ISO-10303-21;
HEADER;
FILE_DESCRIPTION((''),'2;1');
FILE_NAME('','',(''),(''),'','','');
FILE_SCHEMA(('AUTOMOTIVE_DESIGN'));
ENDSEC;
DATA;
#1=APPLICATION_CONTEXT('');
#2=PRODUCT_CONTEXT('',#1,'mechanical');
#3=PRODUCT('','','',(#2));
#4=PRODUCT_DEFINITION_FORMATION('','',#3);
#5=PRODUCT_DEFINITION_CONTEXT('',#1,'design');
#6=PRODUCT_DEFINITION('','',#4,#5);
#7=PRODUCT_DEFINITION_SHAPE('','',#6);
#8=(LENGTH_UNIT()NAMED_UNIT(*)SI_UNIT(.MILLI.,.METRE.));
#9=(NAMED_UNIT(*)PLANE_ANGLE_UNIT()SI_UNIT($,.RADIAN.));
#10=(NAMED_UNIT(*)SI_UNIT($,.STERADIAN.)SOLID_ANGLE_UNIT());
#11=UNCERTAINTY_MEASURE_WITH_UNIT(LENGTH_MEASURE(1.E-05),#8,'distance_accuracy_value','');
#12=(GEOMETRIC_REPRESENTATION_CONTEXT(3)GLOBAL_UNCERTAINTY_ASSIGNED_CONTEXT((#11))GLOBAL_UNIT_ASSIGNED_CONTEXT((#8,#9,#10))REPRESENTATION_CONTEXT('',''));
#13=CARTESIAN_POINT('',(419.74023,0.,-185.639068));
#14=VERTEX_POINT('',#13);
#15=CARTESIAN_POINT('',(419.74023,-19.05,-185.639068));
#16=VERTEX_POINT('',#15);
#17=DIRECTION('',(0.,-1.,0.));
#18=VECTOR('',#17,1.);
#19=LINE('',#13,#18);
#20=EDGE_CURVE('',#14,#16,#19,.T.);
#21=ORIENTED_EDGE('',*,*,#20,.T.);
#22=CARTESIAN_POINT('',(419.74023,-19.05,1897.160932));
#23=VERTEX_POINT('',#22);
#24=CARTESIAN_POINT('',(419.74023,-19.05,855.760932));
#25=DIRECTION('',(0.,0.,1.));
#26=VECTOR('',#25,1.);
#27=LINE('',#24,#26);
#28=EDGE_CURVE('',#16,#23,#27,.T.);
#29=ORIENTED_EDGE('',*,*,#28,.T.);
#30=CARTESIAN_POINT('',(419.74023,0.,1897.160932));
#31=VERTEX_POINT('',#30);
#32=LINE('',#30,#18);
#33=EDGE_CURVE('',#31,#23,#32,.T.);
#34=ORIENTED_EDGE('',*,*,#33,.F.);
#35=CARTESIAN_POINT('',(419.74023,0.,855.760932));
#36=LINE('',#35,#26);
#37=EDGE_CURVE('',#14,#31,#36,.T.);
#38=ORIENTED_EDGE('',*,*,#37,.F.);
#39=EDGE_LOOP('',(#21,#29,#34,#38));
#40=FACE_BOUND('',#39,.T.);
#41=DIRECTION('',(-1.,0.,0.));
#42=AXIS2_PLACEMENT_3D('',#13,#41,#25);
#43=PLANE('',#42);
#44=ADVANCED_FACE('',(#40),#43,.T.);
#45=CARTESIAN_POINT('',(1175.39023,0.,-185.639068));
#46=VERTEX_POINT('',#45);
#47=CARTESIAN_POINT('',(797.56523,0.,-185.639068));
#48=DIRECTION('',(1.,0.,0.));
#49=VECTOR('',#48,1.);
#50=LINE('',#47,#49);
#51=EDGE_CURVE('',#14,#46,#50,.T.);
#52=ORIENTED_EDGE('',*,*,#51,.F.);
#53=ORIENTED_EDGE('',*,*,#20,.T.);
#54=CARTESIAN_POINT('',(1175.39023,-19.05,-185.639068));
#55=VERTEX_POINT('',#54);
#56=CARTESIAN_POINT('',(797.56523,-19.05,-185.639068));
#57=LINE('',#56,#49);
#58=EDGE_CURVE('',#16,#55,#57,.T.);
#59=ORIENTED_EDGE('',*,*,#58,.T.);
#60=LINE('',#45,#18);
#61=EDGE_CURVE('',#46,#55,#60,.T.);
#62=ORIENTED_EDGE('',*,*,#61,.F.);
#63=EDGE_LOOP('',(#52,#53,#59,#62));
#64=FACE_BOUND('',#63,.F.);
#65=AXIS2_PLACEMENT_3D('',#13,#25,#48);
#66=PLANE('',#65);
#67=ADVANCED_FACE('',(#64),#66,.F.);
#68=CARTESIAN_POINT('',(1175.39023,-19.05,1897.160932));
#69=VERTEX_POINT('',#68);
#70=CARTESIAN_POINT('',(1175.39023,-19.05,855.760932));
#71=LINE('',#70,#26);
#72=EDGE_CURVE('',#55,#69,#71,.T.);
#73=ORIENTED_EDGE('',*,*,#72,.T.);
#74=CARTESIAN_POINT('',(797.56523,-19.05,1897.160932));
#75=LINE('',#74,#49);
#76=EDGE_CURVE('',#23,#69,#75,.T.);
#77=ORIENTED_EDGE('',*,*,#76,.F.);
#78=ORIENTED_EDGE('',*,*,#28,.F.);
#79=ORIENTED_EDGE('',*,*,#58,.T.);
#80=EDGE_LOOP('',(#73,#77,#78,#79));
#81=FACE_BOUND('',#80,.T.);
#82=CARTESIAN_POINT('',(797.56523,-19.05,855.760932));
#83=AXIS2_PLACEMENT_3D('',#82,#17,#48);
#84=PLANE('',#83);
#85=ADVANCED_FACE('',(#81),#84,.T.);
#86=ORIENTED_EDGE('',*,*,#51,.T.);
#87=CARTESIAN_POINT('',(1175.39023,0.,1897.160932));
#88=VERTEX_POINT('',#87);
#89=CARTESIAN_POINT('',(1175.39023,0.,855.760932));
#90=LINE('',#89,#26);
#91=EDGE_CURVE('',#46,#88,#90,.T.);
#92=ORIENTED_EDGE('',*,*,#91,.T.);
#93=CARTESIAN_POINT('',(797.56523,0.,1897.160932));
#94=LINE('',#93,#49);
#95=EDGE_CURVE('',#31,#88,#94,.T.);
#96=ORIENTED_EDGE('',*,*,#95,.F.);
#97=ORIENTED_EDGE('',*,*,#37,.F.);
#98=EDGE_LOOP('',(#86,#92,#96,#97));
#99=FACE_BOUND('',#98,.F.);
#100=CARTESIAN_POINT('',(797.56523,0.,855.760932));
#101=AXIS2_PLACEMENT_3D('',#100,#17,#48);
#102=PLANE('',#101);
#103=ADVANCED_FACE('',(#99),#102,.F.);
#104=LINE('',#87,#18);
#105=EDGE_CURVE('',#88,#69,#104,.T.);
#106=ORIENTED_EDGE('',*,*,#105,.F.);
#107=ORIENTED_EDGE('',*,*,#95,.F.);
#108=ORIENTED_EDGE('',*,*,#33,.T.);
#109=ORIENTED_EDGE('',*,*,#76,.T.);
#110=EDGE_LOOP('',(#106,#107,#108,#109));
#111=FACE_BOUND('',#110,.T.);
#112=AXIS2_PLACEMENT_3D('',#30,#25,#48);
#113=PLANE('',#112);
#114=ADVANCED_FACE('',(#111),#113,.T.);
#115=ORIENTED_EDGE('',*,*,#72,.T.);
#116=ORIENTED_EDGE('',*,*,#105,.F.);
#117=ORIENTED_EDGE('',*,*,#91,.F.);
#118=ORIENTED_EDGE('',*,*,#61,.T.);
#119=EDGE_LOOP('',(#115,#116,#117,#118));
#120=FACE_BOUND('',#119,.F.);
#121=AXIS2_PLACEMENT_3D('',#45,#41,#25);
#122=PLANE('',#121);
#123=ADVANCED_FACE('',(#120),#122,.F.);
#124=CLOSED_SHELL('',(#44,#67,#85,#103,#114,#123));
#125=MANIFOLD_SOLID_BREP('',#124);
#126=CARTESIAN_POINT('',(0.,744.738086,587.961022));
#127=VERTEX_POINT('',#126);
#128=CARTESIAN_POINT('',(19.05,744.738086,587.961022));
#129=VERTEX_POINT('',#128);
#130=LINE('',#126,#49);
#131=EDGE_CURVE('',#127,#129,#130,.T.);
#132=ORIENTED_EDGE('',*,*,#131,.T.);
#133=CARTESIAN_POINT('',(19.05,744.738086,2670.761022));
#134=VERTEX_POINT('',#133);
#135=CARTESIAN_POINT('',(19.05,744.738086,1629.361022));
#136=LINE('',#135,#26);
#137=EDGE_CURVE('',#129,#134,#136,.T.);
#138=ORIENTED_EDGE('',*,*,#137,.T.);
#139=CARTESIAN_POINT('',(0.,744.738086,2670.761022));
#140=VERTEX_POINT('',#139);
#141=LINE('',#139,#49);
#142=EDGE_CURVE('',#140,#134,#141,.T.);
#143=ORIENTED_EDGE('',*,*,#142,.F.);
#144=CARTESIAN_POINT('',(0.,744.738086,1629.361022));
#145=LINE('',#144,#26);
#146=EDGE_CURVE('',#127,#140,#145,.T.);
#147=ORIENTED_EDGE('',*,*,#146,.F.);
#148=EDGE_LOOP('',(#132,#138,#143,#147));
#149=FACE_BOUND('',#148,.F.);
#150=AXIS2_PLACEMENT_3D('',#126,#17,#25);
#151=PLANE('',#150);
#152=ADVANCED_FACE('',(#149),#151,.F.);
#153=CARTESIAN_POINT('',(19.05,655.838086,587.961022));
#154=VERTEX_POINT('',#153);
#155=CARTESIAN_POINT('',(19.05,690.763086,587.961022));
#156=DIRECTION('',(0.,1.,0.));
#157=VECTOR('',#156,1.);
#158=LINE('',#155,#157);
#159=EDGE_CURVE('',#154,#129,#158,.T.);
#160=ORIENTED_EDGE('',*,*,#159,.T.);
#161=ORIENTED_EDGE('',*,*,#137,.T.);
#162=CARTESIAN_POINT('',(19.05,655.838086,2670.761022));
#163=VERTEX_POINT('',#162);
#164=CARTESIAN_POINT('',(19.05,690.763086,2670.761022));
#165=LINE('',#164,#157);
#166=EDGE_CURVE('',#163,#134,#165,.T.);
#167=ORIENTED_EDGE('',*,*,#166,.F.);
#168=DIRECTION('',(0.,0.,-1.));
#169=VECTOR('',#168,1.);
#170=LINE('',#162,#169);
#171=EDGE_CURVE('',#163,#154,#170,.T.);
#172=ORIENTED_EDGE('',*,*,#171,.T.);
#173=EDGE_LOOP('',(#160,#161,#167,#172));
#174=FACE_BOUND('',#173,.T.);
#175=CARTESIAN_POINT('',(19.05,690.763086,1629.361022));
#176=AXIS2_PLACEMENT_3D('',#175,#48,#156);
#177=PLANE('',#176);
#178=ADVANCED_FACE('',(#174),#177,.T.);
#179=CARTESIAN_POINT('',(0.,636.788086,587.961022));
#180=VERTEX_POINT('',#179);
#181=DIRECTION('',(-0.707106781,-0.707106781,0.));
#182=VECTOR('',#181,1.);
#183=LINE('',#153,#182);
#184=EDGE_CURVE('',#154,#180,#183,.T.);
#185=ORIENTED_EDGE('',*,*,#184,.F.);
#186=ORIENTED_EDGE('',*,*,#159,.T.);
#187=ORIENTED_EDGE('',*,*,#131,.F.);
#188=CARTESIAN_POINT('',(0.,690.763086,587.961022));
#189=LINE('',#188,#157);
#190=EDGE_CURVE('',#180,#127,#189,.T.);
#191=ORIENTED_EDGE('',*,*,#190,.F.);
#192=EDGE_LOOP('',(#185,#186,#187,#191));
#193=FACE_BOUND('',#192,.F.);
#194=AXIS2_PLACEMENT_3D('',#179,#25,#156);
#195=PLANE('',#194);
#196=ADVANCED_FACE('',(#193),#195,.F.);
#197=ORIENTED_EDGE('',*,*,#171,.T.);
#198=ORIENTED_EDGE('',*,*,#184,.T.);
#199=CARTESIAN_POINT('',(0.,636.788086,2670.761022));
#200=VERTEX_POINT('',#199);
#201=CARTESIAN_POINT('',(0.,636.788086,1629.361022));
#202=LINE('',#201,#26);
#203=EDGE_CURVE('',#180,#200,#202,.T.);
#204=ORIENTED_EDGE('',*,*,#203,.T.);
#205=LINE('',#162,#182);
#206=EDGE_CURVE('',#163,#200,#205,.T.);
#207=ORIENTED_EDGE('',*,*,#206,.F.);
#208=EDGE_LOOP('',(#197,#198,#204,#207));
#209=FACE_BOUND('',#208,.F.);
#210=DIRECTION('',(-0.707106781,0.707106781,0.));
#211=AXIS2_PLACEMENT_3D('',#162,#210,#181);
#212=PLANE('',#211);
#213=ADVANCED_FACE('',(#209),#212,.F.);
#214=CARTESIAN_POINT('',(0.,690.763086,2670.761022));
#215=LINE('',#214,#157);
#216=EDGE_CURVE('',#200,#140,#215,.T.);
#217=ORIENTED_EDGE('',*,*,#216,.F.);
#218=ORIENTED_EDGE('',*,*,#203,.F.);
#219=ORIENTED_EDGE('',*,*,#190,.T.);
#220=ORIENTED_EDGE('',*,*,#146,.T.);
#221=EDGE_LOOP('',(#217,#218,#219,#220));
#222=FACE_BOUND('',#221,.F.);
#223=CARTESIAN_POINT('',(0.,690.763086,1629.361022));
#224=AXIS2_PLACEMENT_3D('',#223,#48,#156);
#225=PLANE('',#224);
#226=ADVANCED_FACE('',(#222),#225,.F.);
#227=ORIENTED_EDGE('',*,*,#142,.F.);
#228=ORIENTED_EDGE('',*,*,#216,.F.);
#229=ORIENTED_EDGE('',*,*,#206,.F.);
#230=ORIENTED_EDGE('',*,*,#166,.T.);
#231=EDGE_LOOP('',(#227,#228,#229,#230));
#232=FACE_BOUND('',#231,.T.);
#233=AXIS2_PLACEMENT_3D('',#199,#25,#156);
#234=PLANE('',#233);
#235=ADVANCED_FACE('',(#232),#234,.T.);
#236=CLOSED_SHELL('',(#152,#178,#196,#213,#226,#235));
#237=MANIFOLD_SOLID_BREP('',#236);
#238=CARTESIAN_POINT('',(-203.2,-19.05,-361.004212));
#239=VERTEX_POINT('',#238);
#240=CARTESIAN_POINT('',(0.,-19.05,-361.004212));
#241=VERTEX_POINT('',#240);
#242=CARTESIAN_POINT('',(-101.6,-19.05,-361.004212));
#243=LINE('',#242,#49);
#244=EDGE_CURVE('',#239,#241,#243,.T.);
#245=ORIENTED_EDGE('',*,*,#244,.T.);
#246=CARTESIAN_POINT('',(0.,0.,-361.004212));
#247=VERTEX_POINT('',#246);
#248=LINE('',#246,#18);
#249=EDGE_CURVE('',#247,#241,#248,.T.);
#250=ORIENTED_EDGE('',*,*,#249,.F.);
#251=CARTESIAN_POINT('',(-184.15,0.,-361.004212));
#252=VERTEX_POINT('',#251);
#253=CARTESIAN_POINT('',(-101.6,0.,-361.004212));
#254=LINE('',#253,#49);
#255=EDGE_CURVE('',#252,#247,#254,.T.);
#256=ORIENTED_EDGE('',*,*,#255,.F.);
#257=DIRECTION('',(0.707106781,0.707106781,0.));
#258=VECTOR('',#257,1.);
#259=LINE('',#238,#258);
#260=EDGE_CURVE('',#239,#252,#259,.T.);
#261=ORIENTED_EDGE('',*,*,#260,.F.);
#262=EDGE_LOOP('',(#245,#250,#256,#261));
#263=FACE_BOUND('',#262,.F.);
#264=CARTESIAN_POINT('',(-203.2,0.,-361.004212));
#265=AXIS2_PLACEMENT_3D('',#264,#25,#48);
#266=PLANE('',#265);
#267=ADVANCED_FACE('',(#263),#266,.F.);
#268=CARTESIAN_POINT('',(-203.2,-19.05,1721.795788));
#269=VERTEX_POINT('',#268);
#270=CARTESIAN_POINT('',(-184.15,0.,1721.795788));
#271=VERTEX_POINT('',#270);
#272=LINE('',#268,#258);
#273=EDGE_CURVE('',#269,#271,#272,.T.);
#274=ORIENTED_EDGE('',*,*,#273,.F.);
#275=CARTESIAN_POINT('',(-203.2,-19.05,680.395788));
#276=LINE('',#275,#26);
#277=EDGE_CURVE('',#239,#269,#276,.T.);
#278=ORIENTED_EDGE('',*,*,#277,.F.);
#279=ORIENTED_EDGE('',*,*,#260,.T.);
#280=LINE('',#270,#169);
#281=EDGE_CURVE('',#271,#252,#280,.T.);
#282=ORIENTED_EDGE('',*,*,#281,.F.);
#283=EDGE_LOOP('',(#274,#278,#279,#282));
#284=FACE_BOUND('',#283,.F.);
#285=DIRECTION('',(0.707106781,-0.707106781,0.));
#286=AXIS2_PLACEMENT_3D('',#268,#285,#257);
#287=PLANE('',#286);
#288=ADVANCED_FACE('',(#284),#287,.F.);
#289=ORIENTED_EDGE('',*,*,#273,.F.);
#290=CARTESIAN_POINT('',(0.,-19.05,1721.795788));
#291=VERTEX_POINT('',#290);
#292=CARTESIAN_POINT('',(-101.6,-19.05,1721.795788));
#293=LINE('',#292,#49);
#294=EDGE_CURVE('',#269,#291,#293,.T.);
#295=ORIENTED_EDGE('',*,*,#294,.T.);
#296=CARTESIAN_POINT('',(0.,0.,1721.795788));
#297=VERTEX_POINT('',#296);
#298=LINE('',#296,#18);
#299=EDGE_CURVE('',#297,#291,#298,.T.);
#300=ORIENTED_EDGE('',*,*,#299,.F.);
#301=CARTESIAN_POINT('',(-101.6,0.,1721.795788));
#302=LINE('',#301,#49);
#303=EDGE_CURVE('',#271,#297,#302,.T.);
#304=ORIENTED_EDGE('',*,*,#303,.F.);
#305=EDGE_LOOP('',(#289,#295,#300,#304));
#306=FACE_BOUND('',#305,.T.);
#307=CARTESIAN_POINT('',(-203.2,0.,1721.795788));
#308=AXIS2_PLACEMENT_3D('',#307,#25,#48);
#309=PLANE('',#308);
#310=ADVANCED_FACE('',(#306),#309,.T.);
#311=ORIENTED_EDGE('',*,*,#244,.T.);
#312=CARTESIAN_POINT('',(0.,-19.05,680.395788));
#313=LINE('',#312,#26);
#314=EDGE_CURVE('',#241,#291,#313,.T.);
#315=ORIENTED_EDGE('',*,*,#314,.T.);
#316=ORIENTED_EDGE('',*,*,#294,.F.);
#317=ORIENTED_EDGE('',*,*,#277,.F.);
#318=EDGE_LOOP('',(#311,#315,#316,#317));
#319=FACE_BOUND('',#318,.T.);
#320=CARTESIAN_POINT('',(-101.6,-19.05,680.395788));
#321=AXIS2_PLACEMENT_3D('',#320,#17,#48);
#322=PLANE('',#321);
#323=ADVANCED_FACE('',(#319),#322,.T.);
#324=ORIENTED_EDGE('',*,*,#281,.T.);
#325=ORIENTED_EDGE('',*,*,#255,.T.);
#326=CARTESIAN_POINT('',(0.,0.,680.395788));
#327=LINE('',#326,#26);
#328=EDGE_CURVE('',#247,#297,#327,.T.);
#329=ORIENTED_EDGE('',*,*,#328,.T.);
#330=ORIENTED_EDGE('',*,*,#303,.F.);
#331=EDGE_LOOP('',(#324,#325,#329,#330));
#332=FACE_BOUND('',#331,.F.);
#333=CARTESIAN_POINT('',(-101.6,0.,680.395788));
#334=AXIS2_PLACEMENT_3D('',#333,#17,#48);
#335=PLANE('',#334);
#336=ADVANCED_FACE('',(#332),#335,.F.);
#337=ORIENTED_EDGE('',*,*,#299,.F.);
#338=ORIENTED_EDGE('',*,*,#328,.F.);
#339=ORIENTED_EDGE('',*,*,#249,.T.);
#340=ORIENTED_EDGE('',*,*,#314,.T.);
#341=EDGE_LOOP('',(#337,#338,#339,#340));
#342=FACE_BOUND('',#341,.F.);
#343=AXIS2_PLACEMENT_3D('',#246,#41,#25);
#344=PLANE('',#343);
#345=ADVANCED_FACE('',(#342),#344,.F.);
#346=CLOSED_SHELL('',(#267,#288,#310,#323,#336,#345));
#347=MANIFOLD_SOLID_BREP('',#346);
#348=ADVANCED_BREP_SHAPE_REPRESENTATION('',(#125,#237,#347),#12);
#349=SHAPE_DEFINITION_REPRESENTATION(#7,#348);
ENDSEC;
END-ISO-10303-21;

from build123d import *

# Parameters (mm, degrees)
F0_W     = 203.2
F0_H     = 2082.8
F1_DEPTH = 19.05
F3_DEPTH = 2082.8
F4_W     = 755.65
F4_H     = 2082.8
F5_DEPTH = 19.05
F6_W     = 107.95
F6_H     = 2082.8
F7_DEPTH = 19.05
F9_DEPTH = 2082.8


with BuildPart() as f1:
    # F0 (on Front) → F1 (new body)
    with BuildSketch(Plane.XZ):
        with Locations((-101.6, 680.395788)):
            Rectangle(F0_W, F0_H)
    extrude(amount=F1_DEPTH)

    # F2 (on face) → F3 (cut)
    with BuildSketch(Plane.XY.offset(1721.795788)):
        Polygon((-203.2, 0), (-203.2, -19.05), (-184.15, 0), align=None)
    extrude(amount=-F3_DEPTH, mode=Mode.SUBTRACT)


with BuildPart() as f5:
    # F4 (on Front) → F5 (new body)
    with BuildSketch(Plane.XZ):
        with Locations((797.56523, 855.760932)):
            Rectangle(F4_W, F4_H)
    extrude(amount=F5_DEPTH)


with BuildPart() as f7:
    # F6 (on Right) → F7 (new body)
    with BuildSketch(Plane.YZ):
        with Locations((690.763086, 1629.361022)):
            Rectangle(F6_W, F6_H)
    extrude(amount=F7_DEPTH)

    # F8 (on face) → F9 (cut)
    with BuildSketch(Plane.XY.offset(2670.761022)):
        Polygon((19.05, 636.788086), (19.05, 655.838086), (0, 636.788086), align=None)
    extrude(amount=-F9_DEPTH, mode=Mode.SUBTRACT)


solid = Compound([f1.part, f5.part, f7.part])
